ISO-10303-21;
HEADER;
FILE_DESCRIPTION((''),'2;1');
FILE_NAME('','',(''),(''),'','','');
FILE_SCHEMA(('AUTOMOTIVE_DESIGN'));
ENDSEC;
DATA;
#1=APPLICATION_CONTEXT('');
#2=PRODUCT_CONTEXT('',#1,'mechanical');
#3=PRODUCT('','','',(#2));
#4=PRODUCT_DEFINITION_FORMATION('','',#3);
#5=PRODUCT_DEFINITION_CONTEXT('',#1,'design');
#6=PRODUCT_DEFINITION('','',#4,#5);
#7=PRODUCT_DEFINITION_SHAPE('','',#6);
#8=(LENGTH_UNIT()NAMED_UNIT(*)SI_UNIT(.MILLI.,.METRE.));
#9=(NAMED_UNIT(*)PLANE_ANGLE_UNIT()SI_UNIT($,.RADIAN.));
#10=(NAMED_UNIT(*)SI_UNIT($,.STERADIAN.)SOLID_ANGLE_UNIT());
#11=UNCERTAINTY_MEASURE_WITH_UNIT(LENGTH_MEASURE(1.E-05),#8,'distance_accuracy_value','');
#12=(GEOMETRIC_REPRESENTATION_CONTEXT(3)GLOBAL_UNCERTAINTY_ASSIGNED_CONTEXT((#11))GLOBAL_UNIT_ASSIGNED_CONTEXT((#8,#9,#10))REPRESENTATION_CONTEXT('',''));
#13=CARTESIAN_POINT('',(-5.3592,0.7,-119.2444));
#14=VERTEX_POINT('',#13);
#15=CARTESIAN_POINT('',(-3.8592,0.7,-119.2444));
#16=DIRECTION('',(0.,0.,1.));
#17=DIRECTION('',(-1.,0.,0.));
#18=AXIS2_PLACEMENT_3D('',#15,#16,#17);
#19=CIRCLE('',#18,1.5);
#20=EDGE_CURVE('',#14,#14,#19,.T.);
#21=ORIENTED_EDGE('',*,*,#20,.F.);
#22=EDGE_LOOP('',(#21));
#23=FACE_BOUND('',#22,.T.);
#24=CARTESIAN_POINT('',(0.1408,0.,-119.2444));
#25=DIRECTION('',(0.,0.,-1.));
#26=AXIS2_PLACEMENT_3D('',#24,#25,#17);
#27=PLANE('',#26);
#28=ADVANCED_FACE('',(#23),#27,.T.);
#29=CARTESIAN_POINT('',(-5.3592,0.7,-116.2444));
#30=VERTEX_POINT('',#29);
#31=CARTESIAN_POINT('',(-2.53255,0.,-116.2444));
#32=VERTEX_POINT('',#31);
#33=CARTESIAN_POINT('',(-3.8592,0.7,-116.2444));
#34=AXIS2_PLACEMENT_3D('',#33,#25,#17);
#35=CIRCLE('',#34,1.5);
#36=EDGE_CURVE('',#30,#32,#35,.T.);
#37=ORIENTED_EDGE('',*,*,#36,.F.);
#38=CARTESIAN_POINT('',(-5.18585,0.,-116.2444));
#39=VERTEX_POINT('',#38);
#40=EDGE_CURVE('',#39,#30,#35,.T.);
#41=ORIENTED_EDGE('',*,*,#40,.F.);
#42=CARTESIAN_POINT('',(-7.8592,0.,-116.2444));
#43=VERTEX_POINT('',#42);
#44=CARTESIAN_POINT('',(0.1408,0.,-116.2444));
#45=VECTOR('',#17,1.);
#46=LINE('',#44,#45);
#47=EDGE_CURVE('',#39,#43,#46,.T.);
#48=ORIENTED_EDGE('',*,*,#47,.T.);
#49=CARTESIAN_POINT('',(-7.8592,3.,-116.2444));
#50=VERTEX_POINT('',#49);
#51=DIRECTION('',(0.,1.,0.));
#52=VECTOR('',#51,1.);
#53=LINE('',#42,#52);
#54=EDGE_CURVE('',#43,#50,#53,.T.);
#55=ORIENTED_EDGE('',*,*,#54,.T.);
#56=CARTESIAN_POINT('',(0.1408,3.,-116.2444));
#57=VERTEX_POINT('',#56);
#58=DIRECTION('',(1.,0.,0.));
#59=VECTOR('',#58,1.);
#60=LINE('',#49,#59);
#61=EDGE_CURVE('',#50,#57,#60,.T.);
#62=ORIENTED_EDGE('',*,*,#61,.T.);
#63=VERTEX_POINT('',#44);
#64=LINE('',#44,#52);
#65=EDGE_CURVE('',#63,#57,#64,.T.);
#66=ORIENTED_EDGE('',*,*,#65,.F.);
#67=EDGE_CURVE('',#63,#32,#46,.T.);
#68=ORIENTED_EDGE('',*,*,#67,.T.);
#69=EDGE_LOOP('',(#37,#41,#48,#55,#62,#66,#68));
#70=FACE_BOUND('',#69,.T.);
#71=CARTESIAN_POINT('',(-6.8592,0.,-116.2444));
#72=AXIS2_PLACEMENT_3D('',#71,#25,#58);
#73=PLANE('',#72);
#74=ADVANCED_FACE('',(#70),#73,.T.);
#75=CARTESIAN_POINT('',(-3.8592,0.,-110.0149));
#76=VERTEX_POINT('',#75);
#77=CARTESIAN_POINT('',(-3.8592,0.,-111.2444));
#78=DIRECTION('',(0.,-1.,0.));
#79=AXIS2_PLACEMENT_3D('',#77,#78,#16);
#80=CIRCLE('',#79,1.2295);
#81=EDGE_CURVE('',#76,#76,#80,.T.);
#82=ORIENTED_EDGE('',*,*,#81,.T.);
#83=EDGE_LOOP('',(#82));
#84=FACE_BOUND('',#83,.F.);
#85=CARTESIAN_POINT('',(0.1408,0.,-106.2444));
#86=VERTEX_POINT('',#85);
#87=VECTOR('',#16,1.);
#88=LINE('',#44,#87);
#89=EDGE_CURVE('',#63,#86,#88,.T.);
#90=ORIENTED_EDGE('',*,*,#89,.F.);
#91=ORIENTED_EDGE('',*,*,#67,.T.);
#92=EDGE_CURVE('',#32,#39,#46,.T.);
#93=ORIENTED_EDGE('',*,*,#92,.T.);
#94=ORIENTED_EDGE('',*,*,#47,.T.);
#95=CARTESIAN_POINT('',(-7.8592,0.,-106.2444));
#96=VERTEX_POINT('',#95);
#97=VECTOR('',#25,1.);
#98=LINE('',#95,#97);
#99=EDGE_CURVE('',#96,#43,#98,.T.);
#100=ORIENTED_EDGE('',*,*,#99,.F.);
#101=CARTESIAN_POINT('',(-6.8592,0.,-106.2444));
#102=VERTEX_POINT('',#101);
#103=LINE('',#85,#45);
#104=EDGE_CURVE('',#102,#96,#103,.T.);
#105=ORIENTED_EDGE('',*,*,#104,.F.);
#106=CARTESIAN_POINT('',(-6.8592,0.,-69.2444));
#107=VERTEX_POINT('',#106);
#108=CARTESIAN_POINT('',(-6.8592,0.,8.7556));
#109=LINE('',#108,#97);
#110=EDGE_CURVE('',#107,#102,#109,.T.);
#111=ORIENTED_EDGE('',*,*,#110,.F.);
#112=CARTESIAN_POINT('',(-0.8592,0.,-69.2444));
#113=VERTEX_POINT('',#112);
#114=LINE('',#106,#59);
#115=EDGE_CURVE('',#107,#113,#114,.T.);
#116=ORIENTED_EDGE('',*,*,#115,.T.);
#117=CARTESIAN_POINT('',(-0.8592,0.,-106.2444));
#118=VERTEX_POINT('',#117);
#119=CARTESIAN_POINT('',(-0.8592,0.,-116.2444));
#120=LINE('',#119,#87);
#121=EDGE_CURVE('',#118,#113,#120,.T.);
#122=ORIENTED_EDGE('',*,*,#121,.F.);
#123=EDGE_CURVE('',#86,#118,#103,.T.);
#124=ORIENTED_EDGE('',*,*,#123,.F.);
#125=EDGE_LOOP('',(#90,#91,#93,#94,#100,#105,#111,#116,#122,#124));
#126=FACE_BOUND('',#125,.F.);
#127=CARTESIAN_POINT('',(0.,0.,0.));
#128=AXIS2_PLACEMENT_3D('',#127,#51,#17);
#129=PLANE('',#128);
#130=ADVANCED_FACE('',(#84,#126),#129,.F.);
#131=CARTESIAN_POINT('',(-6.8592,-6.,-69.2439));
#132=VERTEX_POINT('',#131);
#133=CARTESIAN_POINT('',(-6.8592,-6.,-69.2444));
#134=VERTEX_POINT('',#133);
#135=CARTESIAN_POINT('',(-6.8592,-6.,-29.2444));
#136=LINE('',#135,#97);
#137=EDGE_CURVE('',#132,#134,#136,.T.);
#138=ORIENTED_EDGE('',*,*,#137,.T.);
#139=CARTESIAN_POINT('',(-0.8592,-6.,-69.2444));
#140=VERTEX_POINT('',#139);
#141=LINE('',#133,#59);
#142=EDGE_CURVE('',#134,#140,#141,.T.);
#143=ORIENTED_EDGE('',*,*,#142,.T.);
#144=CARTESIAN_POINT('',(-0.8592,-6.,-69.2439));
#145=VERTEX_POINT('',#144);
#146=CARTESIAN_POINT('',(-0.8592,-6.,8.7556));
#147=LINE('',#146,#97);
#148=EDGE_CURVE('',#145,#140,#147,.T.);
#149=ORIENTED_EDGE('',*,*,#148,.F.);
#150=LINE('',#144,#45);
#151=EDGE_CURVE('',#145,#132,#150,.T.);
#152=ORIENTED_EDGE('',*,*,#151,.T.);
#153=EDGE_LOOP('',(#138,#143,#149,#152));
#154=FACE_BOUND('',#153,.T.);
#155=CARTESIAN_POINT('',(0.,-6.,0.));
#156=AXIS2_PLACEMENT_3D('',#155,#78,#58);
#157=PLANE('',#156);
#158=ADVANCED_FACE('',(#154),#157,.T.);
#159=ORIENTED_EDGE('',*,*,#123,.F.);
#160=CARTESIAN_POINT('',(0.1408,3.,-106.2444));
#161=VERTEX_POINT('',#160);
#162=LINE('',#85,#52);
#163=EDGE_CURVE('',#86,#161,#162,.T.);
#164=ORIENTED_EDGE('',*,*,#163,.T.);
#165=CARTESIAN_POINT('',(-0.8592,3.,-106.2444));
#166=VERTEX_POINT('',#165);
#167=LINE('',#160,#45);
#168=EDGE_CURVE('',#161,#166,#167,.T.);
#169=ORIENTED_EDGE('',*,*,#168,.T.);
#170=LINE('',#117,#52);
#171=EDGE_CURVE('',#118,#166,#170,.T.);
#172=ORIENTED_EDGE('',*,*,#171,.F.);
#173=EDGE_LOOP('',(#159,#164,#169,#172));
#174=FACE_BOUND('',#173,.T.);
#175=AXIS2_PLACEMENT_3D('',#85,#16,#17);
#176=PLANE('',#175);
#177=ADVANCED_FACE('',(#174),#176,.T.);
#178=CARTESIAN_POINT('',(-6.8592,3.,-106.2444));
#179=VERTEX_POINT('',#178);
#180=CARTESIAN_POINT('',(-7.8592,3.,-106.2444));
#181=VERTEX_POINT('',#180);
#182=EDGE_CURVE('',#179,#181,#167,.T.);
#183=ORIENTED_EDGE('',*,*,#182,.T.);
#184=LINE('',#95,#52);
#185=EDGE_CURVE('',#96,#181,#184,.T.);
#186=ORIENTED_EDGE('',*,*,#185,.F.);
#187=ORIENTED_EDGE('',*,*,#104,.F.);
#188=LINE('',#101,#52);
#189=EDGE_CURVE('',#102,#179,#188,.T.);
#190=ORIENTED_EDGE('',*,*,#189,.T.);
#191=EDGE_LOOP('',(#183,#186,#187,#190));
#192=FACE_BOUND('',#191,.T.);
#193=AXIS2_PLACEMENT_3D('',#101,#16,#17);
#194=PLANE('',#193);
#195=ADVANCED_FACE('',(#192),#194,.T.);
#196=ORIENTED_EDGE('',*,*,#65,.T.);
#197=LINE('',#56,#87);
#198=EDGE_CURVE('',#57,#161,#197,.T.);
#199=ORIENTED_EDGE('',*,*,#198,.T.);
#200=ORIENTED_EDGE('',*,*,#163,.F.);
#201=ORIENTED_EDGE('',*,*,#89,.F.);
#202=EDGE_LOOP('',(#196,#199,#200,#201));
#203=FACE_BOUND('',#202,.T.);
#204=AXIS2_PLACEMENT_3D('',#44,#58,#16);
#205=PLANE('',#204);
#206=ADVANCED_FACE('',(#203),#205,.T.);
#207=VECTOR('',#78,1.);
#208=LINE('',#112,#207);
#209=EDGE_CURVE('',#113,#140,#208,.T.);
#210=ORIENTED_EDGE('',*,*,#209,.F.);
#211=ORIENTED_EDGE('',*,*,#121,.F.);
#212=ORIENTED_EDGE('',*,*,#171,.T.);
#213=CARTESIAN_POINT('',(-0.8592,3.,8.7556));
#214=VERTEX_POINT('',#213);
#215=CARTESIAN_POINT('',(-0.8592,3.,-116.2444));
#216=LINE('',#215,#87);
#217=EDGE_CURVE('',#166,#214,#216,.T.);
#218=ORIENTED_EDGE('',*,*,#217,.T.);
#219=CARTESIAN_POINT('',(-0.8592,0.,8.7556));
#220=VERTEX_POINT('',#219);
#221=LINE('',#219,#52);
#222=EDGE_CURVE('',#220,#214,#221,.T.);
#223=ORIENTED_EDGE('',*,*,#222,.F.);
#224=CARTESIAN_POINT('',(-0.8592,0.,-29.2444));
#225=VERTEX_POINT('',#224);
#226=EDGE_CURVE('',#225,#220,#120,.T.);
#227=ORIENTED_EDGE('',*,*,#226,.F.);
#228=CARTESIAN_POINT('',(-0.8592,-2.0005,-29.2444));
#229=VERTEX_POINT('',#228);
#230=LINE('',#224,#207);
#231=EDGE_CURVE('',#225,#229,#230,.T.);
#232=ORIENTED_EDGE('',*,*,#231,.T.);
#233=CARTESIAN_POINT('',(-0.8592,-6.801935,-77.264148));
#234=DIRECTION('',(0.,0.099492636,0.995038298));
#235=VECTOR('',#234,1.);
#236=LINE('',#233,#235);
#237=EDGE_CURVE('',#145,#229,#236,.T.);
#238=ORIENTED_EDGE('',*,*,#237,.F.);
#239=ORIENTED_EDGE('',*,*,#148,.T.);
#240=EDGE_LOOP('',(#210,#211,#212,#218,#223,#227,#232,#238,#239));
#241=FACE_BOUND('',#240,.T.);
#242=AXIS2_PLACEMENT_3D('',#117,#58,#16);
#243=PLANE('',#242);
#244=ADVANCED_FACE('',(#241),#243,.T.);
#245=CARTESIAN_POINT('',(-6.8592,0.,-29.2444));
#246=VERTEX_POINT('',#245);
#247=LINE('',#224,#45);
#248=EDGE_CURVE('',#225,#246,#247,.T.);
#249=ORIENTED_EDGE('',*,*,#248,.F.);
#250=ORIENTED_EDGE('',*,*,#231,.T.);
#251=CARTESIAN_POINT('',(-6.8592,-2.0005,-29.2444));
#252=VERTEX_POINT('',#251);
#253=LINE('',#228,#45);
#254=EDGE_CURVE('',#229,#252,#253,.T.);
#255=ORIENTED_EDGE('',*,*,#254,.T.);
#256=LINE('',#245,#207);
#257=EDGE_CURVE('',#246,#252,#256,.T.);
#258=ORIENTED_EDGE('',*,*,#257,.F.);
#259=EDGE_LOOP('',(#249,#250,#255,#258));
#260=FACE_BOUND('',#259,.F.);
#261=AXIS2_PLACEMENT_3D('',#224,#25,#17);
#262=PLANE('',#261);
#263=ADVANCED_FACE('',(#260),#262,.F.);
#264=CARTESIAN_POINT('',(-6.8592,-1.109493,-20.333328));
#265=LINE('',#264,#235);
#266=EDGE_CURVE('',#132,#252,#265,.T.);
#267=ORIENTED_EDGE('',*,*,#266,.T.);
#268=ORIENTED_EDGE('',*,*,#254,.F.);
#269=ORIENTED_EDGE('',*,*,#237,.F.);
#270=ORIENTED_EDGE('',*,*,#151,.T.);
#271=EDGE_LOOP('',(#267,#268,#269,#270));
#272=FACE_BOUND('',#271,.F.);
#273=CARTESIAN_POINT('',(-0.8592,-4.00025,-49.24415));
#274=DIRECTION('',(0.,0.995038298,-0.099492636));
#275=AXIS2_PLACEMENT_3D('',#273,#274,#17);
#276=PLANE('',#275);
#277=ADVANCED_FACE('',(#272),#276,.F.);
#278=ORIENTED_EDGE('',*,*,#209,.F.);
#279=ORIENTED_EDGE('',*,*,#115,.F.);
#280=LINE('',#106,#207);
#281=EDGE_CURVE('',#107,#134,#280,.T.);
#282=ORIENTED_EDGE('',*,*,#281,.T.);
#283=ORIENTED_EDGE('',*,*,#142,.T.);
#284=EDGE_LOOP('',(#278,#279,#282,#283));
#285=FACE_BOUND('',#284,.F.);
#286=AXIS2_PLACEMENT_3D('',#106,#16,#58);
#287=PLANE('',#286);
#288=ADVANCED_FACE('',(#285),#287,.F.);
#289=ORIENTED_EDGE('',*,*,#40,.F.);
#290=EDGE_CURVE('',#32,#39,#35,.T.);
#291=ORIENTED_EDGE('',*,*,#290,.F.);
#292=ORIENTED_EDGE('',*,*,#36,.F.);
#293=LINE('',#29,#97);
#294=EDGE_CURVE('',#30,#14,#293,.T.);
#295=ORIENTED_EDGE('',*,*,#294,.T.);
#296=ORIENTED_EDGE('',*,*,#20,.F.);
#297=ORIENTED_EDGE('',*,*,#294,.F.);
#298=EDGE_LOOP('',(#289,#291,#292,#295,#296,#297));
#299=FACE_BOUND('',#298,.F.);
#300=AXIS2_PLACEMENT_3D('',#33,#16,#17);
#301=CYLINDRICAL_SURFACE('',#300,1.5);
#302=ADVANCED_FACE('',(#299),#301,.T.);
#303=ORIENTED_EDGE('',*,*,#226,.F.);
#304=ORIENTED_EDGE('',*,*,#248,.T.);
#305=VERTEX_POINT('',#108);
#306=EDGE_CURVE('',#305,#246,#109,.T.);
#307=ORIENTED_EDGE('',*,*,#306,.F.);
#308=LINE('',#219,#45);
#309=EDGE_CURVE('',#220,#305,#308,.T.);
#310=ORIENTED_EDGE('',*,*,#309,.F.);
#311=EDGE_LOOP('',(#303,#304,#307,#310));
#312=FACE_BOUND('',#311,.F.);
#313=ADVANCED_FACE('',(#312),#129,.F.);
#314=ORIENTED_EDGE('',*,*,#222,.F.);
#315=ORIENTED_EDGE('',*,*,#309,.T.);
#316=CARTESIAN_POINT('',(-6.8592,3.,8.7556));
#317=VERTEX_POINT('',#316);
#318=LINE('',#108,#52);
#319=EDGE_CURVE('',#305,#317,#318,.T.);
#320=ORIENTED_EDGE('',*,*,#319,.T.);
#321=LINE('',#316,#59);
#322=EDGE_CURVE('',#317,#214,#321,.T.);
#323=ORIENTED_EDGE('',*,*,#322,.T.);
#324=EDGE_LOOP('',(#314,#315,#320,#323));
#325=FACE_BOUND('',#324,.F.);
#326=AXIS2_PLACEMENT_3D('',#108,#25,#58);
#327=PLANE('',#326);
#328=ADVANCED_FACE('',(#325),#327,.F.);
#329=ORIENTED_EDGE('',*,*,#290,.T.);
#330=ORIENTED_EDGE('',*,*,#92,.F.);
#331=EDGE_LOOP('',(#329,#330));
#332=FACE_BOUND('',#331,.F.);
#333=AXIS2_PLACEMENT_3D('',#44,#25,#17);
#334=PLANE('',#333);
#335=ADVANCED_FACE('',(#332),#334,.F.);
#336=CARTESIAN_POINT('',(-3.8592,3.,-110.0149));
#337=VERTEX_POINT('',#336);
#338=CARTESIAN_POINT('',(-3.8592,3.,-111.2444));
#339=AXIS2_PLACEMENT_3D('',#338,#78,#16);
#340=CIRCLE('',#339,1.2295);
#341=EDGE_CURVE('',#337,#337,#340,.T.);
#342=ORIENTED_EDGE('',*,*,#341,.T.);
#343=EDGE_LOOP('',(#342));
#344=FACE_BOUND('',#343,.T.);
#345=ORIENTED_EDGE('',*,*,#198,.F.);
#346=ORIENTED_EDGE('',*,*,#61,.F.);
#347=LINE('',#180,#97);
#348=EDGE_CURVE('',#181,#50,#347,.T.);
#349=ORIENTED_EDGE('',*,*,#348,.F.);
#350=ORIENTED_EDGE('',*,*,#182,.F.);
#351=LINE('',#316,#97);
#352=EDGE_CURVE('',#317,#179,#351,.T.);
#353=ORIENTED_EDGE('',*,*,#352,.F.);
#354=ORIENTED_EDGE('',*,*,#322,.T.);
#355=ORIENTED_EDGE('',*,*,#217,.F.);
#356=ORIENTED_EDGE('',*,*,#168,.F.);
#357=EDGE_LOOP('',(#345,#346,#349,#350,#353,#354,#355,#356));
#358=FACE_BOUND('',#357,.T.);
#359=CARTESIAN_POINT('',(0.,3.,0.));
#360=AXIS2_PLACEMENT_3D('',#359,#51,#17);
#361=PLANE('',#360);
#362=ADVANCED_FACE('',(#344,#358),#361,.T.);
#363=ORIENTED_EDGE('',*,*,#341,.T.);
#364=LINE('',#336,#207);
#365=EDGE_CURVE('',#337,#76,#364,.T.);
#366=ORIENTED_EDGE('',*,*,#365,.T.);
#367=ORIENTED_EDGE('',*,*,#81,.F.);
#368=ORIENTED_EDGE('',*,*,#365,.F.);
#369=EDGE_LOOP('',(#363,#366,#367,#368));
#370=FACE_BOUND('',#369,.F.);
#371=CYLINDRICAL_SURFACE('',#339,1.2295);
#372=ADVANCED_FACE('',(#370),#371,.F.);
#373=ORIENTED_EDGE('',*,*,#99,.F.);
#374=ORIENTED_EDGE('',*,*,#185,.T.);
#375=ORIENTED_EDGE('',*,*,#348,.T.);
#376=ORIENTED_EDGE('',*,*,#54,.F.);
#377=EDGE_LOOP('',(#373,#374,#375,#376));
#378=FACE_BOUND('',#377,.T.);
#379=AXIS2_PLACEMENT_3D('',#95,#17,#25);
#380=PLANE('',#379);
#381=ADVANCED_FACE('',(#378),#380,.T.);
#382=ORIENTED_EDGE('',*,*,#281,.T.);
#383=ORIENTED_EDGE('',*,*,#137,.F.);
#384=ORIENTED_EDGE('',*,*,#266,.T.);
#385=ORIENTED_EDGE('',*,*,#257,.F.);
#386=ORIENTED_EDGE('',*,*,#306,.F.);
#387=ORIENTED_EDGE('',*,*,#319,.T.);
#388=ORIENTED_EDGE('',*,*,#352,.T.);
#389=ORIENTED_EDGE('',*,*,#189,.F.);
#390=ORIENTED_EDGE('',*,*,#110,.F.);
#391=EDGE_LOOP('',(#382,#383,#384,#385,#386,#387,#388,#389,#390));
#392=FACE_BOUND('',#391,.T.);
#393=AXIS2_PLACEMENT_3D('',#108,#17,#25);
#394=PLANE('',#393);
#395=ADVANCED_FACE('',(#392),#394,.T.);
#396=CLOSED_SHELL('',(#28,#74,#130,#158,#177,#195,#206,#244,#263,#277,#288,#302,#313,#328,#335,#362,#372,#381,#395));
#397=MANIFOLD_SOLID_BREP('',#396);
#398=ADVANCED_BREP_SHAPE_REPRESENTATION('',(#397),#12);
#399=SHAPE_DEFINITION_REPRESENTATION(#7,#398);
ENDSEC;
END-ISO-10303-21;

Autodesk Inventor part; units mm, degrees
ref_plane "YZ Plane" through (0, 0, 0) normal (1, 0, 0) x (0, 1, 0)
ref_plane "XZ Plane" through (0, 0, 0) normal (0, 1, 0) x (-1, 0, 0)
ref_plane "XY Plane" through (0, 0, 0) normal (0, 0, 1) x (1, 0, 0)
sketch "Skizze1" plane through (0, 0, 0) normal (0, 1, 0) x (-1, 0, 0)
  line L0 (6.8592, -116.2444) -> (0.8592, -116.2444)
  line L1 (0.8592, -116.2444) -> (0.8592, 8.7556)
  line L2 (6.8592, 8.7556) -> (6.8592, -116.2444)
  line L3 (7.8592, -116.2444) -> (-0.1408, -116.2444)
  line L4 (-0.1408, -116.2444) -> (-0.1408, -106.2444)
  line L5 (-0.1408, -106.2444) -> (7.8592, -106.2444)
  line L6 (7.8592, -106.2444) -> (7.8592, -116.2444)
  line L7 (3.8592, 157.3916) -> (3.8592, -262.6084)
  line L8 (6.8592, 8.7556) -> (0.8592, 8.7556)
  point P0 (0, 0)
  point P1 (0.8592, -106.2444)
  point P2 (6.8592, -106.2444)
  point P3 (6.8592, -116.2444)
  point P4 (3.8592, -116.2444)
  dimension "d1" = 125
  dimension "d9" = 6
  dimension "d25" = 8
  dimension "d26" = 10
  dimension "d27" = 1
extrude "Extrusion1" add sketch "Skizze1" along normal blind 3
sketch "Skizze2" plane through (0, 3, 0) normal (0, 1, 0) x (1, 0, 0)
  line L0 (-3.8592, 111.2444) -> (-6.8592, 111.2444) construction
  line L1 (-3.8592, 111.2444) -> (-0.8592, 111.2444) construction
  line L2 (-0.8592, -8.7556) -> (-0.8592, 106.2444) construction
  line L3 (-6.8592, 106.2444) -> (-6.8592, -8.7556) construction
  line L4 (0.1408, 116.2444) -> (-7.8592, 116.2444) projected
  point P0 (0, 0)
  point P1 (-0.8592, 16.2444)
  point P2 (-6.8592, 16.2444)
  dimension "d28" = 5
hole "Bohrung1" at (-3.8592, 3, -111.2444) direction (0, -1, 0) diameter 2.459 end through all thread size "M3x0.5" class "6H" standard "ANSI Metric M Profile"
sketch "Skizze3" plane through (0.1408, 0, -116.2444) normal (0, 0, -1) x (-1, 0, 0)
  line L0 (4, 0) -> (4, 0.7)
  circle A0 centre (4, 0.7) radius 1.5
  line L1 (0, 0) -> (8, 0) projected
  point P0 (0.1408, 0)
  dimension "d29" = 3
  dimension "d30" = 0.7
extrude "Extrusion2" add sketch "Skizze3" along normal blind 3
sketch "Skizze4" plane through (0, 0, 0) normal (0, -1, 0) x (1, 0, 0)
  line L0 (-0.8592, 8.7556) -> (-0.8592, -106.2444) projected
  line L1 (-6.8592, -69.2444) -> (-0.8592, -69.2444)
  line L2 (-0.8592, -69.2444) -> (-0.8592, -29.2444)
  line L3 (-0.8592, -29.2444) -> (-6.8592, -29.2444)
  line L4 (-6.8592, -29.2444) -> (-6.8592, -69.2444)
  point P0 (0, 0)
  point P1 (-0.8592, -69.2444)
  point P2 (-6.8592, -106.2444)
  dimension "d34" = 40
  dimension "d37" = 37
  dimension "d38" = 6
extrude "Extrusion3" add sketch "Skizze4" along normal blind 6
chamfer "Fasen1" distance 40 distance2 4 1 edges at (-3.8592, -6, -29.2444) measured on face at (-4.8592, -6, -42.5778)
properties part number "SchubstangeA" material "PC/ABS-Kunststoff, 3DDruck, PLA"
